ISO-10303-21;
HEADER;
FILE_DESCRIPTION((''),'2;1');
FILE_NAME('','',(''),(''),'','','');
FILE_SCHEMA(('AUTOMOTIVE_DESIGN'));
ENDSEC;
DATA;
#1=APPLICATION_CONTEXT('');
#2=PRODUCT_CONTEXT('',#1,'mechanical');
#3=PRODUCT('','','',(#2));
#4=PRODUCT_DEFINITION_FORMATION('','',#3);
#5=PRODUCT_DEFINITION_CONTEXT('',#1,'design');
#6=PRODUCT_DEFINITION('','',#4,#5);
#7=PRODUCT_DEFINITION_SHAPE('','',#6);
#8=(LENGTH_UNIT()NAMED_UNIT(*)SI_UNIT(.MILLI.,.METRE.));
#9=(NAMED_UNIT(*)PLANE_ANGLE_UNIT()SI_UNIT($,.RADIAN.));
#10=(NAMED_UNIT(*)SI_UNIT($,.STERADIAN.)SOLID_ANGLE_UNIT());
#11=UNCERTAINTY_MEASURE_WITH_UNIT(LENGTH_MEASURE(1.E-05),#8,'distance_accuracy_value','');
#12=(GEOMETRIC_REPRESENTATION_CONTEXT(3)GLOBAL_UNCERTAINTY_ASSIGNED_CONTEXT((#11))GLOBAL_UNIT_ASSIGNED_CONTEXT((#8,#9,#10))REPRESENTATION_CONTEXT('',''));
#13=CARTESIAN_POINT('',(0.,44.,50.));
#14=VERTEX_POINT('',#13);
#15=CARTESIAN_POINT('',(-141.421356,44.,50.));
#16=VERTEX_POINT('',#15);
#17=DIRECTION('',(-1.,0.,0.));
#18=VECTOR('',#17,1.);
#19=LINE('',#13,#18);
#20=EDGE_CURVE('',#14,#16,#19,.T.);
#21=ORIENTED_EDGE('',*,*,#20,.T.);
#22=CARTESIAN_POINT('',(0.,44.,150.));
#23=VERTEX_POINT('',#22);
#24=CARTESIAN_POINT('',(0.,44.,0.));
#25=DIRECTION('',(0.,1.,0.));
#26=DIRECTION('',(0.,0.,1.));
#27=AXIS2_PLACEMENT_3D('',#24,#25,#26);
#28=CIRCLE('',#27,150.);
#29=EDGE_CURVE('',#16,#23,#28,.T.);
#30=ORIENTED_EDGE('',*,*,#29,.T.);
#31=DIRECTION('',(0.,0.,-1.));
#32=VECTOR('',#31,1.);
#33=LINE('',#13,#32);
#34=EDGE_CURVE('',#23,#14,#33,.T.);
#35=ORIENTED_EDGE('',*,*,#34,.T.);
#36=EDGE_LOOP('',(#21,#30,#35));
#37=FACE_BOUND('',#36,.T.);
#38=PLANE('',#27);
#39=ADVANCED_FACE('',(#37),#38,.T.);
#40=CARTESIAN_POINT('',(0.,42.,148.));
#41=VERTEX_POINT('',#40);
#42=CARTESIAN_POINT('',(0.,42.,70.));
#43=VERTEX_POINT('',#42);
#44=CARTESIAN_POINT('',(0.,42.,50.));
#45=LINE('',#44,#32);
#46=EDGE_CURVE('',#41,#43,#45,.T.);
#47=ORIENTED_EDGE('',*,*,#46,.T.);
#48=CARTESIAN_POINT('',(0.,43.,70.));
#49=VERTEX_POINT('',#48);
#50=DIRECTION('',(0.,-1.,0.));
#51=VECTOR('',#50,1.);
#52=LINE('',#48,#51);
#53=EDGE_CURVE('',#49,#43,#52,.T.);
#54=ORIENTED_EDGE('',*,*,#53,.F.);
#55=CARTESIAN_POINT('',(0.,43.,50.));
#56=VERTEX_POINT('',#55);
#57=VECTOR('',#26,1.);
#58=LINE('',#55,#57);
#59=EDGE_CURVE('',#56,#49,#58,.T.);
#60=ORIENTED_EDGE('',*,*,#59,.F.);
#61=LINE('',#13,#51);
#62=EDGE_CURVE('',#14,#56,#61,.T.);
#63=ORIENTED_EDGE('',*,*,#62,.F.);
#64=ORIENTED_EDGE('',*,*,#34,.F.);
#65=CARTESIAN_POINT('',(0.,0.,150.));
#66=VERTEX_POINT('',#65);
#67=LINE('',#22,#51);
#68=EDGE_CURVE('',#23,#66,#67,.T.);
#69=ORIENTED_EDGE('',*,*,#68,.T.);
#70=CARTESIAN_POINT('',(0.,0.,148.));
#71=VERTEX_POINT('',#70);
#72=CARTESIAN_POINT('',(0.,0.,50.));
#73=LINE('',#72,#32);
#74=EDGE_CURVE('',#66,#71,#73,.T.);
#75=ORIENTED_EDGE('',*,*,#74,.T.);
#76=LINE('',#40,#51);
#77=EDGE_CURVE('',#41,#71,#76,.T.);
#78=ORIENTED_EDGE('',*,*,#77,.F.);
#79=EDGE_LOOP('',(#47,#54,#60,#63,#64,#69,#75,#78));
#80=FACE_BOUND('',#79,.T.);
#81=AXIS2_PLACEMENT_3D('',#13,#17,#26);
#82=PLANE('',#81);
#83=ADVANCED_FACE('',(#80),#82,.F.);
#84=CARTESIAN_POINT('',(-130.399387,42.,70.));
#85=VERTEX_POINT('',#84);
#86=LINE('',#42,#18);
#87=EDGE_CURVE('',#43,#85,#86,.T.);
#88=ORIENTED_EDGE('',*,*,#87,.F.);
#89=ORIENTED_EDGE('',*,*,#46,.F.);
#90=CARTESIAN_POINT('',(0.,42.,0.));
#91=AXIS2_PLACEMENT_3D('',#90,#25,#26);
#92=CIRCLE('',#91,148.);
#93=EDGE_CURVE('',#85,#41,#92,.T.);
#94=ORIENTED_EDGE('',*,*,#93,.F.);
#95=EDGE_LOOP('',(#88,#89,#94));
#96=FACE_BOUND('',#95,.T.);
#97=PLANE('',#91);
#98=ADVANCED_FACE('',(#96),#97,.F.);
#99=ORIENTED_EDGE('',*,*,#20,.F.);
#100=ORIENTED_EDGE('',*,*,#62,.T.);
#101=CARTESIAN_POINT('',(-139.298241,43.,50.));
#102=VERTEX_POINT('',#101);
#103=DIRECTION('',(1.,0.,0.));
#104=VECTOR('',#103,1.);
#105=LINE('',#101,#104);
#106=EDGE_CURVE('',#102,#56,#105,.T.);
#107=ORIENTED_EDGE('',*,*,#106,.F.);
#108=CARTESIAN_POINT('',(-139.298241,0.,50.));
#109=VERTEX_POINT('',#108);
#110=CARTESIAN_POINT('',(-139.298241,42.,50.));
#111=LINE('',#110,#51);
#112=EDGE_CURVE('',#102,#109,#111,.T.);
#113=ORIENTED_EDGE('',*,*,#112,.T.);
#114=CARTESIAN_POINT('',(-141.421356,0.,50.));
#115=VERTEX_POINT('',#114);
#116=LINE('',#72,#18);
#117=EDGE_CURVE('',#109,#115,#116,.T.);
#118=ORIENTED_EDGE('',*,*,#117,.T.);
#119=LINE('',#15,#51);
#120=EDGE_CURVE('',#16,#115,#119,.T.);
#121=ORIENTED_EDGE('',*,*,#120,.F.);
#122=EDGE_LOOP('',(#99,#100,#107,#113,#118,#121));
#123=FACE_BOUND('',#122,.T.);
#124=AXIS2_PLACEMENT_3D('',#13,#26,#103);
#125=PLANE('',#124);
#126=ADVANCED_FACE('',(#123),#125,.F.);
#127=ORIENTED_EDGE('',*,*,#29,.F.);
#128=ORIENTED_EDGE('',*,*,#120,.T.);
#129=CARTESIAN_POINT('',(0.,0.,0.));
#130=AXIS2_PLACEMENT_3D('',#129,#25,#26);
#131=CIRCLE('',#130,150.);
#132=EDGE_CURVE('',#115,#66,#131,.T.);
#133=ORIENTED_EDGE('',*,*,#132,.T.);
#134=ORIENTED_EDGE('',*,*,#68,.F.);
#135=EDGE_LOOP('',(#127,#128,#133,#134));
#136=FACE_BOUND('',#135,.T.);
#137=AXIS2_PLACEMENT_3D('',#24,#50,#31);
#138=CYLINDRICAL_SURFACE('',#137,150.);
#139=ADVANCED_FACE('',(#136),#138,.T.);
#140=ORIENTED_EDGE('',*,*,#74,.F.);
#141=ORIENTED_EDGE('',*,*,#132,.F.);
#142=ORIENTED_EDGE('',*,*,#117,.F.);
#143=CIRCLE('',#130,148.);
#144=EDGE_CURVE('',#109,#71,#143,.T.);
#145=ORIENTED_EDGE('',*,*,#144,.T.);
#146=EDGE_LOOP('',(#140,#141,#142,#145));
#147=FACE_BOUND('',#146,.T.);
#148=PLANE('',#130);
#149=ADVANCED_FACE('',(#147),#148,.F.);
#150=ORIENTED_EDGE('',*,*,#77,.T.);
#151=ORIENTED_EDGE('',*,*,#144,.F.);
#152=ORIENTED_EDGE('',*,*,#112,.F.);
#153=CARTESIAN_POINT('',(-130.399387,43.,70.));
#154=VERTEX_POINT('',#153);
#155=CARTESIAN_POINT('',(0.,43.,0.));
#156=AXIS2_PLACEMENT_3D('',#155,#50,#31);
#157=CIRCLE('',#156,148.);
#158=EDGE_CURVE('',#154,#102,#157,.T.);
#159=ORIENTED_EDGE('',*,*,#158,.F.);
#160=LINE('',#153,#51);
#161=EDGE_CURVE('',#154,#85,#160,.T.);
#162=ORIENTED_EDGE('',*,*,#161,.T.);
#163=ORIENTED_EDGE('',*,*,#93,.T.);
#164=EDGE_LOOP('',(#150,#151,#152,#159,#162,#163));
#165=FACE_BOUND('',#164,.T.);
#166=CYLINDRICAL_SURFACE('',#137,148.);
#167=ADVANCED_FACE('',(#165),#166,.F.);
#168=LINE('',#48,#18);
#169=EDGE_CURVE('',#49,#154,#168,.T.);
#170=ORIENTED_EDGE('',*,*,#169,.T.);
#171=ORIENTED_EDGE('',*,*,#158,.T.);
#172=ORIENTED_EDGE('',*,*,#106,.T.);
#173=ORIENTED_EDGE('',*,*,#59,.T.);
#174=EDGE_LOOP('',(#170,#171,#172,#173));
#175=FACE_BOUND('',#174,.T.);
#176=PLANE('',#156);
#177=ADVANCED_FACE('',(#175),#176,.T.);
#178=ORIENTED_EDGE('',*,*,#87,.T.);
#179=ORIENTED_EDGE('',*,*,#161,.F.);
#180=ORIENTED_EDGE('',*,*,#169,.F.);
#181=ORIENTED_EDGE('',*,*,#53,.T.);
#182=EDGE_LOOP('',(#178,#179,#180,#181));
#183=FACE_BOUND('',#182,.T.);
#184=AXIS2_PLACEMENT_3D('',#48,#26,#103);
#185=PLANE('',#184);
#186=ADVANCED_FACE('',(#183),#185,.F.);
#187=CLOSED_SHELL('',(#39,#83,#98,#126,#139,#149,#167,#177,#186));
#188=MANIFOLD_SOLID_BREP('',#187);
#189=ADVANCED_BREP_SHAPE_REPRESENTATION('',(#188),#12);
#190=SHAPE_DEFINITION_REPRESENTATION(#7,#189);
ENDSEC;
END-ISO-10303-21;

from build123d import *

# Parameters (mm, degrees)
BOSS_EXTRUDE1_DEPTH = 44
SHELL1_T            = -2
CUT_EXTRUDE1_DEPTH  = 1


with BuildPart() as part:
    # Sketch1 → Boss-Extrude1 (new body)
    with BuildSketch(Plane(origin=(0, 0, 0), x_dir=(1, 0, 0), z_dir=(0, 1, 0))):
        with BuildLine():
            Line((0, -50), (0, -150))
            ThreePointArc((0, -150), (-86.602540378, -122.474487139), (-141.421356237, -50))
            Line((-141.421356237, -50), (0, -50))
        make_face()
    extrude(amount=BOSS_EXTRUDE1_DEPTH)

    # Shell1
    shell1_openings = [part.faces().sort_by_distance(p)[0] for p in [
        (-56.564232989, 0, 91.421606215),
        (-70.710678119, 22, 50),
        (0, 22, 100),
    ]]
    offset(amount=SHELL1_T, openings=shell1_openings, kind=Kind.INTERSECTION)

    # Sketch3 → Cut-Extrude1 (cut)
    with BuildSketch(Plane.XZ.offset(-42)):
        with BuildLine():
            Line((-139.298241195, 50), (0, 50))
            Line((0, 50), (0, 70))
            Line((0, 70), (-130.399386502, 70))
            ThreePointArc((-130.399386502, 70), (-135.219091094, 60.16475217), (-139.298241195, 50))
        make_face()
    extrude(amount=-CUT_EXTRUDE1_DEPTH, mode=Mode.SUBTRACT)


solid = part.part
